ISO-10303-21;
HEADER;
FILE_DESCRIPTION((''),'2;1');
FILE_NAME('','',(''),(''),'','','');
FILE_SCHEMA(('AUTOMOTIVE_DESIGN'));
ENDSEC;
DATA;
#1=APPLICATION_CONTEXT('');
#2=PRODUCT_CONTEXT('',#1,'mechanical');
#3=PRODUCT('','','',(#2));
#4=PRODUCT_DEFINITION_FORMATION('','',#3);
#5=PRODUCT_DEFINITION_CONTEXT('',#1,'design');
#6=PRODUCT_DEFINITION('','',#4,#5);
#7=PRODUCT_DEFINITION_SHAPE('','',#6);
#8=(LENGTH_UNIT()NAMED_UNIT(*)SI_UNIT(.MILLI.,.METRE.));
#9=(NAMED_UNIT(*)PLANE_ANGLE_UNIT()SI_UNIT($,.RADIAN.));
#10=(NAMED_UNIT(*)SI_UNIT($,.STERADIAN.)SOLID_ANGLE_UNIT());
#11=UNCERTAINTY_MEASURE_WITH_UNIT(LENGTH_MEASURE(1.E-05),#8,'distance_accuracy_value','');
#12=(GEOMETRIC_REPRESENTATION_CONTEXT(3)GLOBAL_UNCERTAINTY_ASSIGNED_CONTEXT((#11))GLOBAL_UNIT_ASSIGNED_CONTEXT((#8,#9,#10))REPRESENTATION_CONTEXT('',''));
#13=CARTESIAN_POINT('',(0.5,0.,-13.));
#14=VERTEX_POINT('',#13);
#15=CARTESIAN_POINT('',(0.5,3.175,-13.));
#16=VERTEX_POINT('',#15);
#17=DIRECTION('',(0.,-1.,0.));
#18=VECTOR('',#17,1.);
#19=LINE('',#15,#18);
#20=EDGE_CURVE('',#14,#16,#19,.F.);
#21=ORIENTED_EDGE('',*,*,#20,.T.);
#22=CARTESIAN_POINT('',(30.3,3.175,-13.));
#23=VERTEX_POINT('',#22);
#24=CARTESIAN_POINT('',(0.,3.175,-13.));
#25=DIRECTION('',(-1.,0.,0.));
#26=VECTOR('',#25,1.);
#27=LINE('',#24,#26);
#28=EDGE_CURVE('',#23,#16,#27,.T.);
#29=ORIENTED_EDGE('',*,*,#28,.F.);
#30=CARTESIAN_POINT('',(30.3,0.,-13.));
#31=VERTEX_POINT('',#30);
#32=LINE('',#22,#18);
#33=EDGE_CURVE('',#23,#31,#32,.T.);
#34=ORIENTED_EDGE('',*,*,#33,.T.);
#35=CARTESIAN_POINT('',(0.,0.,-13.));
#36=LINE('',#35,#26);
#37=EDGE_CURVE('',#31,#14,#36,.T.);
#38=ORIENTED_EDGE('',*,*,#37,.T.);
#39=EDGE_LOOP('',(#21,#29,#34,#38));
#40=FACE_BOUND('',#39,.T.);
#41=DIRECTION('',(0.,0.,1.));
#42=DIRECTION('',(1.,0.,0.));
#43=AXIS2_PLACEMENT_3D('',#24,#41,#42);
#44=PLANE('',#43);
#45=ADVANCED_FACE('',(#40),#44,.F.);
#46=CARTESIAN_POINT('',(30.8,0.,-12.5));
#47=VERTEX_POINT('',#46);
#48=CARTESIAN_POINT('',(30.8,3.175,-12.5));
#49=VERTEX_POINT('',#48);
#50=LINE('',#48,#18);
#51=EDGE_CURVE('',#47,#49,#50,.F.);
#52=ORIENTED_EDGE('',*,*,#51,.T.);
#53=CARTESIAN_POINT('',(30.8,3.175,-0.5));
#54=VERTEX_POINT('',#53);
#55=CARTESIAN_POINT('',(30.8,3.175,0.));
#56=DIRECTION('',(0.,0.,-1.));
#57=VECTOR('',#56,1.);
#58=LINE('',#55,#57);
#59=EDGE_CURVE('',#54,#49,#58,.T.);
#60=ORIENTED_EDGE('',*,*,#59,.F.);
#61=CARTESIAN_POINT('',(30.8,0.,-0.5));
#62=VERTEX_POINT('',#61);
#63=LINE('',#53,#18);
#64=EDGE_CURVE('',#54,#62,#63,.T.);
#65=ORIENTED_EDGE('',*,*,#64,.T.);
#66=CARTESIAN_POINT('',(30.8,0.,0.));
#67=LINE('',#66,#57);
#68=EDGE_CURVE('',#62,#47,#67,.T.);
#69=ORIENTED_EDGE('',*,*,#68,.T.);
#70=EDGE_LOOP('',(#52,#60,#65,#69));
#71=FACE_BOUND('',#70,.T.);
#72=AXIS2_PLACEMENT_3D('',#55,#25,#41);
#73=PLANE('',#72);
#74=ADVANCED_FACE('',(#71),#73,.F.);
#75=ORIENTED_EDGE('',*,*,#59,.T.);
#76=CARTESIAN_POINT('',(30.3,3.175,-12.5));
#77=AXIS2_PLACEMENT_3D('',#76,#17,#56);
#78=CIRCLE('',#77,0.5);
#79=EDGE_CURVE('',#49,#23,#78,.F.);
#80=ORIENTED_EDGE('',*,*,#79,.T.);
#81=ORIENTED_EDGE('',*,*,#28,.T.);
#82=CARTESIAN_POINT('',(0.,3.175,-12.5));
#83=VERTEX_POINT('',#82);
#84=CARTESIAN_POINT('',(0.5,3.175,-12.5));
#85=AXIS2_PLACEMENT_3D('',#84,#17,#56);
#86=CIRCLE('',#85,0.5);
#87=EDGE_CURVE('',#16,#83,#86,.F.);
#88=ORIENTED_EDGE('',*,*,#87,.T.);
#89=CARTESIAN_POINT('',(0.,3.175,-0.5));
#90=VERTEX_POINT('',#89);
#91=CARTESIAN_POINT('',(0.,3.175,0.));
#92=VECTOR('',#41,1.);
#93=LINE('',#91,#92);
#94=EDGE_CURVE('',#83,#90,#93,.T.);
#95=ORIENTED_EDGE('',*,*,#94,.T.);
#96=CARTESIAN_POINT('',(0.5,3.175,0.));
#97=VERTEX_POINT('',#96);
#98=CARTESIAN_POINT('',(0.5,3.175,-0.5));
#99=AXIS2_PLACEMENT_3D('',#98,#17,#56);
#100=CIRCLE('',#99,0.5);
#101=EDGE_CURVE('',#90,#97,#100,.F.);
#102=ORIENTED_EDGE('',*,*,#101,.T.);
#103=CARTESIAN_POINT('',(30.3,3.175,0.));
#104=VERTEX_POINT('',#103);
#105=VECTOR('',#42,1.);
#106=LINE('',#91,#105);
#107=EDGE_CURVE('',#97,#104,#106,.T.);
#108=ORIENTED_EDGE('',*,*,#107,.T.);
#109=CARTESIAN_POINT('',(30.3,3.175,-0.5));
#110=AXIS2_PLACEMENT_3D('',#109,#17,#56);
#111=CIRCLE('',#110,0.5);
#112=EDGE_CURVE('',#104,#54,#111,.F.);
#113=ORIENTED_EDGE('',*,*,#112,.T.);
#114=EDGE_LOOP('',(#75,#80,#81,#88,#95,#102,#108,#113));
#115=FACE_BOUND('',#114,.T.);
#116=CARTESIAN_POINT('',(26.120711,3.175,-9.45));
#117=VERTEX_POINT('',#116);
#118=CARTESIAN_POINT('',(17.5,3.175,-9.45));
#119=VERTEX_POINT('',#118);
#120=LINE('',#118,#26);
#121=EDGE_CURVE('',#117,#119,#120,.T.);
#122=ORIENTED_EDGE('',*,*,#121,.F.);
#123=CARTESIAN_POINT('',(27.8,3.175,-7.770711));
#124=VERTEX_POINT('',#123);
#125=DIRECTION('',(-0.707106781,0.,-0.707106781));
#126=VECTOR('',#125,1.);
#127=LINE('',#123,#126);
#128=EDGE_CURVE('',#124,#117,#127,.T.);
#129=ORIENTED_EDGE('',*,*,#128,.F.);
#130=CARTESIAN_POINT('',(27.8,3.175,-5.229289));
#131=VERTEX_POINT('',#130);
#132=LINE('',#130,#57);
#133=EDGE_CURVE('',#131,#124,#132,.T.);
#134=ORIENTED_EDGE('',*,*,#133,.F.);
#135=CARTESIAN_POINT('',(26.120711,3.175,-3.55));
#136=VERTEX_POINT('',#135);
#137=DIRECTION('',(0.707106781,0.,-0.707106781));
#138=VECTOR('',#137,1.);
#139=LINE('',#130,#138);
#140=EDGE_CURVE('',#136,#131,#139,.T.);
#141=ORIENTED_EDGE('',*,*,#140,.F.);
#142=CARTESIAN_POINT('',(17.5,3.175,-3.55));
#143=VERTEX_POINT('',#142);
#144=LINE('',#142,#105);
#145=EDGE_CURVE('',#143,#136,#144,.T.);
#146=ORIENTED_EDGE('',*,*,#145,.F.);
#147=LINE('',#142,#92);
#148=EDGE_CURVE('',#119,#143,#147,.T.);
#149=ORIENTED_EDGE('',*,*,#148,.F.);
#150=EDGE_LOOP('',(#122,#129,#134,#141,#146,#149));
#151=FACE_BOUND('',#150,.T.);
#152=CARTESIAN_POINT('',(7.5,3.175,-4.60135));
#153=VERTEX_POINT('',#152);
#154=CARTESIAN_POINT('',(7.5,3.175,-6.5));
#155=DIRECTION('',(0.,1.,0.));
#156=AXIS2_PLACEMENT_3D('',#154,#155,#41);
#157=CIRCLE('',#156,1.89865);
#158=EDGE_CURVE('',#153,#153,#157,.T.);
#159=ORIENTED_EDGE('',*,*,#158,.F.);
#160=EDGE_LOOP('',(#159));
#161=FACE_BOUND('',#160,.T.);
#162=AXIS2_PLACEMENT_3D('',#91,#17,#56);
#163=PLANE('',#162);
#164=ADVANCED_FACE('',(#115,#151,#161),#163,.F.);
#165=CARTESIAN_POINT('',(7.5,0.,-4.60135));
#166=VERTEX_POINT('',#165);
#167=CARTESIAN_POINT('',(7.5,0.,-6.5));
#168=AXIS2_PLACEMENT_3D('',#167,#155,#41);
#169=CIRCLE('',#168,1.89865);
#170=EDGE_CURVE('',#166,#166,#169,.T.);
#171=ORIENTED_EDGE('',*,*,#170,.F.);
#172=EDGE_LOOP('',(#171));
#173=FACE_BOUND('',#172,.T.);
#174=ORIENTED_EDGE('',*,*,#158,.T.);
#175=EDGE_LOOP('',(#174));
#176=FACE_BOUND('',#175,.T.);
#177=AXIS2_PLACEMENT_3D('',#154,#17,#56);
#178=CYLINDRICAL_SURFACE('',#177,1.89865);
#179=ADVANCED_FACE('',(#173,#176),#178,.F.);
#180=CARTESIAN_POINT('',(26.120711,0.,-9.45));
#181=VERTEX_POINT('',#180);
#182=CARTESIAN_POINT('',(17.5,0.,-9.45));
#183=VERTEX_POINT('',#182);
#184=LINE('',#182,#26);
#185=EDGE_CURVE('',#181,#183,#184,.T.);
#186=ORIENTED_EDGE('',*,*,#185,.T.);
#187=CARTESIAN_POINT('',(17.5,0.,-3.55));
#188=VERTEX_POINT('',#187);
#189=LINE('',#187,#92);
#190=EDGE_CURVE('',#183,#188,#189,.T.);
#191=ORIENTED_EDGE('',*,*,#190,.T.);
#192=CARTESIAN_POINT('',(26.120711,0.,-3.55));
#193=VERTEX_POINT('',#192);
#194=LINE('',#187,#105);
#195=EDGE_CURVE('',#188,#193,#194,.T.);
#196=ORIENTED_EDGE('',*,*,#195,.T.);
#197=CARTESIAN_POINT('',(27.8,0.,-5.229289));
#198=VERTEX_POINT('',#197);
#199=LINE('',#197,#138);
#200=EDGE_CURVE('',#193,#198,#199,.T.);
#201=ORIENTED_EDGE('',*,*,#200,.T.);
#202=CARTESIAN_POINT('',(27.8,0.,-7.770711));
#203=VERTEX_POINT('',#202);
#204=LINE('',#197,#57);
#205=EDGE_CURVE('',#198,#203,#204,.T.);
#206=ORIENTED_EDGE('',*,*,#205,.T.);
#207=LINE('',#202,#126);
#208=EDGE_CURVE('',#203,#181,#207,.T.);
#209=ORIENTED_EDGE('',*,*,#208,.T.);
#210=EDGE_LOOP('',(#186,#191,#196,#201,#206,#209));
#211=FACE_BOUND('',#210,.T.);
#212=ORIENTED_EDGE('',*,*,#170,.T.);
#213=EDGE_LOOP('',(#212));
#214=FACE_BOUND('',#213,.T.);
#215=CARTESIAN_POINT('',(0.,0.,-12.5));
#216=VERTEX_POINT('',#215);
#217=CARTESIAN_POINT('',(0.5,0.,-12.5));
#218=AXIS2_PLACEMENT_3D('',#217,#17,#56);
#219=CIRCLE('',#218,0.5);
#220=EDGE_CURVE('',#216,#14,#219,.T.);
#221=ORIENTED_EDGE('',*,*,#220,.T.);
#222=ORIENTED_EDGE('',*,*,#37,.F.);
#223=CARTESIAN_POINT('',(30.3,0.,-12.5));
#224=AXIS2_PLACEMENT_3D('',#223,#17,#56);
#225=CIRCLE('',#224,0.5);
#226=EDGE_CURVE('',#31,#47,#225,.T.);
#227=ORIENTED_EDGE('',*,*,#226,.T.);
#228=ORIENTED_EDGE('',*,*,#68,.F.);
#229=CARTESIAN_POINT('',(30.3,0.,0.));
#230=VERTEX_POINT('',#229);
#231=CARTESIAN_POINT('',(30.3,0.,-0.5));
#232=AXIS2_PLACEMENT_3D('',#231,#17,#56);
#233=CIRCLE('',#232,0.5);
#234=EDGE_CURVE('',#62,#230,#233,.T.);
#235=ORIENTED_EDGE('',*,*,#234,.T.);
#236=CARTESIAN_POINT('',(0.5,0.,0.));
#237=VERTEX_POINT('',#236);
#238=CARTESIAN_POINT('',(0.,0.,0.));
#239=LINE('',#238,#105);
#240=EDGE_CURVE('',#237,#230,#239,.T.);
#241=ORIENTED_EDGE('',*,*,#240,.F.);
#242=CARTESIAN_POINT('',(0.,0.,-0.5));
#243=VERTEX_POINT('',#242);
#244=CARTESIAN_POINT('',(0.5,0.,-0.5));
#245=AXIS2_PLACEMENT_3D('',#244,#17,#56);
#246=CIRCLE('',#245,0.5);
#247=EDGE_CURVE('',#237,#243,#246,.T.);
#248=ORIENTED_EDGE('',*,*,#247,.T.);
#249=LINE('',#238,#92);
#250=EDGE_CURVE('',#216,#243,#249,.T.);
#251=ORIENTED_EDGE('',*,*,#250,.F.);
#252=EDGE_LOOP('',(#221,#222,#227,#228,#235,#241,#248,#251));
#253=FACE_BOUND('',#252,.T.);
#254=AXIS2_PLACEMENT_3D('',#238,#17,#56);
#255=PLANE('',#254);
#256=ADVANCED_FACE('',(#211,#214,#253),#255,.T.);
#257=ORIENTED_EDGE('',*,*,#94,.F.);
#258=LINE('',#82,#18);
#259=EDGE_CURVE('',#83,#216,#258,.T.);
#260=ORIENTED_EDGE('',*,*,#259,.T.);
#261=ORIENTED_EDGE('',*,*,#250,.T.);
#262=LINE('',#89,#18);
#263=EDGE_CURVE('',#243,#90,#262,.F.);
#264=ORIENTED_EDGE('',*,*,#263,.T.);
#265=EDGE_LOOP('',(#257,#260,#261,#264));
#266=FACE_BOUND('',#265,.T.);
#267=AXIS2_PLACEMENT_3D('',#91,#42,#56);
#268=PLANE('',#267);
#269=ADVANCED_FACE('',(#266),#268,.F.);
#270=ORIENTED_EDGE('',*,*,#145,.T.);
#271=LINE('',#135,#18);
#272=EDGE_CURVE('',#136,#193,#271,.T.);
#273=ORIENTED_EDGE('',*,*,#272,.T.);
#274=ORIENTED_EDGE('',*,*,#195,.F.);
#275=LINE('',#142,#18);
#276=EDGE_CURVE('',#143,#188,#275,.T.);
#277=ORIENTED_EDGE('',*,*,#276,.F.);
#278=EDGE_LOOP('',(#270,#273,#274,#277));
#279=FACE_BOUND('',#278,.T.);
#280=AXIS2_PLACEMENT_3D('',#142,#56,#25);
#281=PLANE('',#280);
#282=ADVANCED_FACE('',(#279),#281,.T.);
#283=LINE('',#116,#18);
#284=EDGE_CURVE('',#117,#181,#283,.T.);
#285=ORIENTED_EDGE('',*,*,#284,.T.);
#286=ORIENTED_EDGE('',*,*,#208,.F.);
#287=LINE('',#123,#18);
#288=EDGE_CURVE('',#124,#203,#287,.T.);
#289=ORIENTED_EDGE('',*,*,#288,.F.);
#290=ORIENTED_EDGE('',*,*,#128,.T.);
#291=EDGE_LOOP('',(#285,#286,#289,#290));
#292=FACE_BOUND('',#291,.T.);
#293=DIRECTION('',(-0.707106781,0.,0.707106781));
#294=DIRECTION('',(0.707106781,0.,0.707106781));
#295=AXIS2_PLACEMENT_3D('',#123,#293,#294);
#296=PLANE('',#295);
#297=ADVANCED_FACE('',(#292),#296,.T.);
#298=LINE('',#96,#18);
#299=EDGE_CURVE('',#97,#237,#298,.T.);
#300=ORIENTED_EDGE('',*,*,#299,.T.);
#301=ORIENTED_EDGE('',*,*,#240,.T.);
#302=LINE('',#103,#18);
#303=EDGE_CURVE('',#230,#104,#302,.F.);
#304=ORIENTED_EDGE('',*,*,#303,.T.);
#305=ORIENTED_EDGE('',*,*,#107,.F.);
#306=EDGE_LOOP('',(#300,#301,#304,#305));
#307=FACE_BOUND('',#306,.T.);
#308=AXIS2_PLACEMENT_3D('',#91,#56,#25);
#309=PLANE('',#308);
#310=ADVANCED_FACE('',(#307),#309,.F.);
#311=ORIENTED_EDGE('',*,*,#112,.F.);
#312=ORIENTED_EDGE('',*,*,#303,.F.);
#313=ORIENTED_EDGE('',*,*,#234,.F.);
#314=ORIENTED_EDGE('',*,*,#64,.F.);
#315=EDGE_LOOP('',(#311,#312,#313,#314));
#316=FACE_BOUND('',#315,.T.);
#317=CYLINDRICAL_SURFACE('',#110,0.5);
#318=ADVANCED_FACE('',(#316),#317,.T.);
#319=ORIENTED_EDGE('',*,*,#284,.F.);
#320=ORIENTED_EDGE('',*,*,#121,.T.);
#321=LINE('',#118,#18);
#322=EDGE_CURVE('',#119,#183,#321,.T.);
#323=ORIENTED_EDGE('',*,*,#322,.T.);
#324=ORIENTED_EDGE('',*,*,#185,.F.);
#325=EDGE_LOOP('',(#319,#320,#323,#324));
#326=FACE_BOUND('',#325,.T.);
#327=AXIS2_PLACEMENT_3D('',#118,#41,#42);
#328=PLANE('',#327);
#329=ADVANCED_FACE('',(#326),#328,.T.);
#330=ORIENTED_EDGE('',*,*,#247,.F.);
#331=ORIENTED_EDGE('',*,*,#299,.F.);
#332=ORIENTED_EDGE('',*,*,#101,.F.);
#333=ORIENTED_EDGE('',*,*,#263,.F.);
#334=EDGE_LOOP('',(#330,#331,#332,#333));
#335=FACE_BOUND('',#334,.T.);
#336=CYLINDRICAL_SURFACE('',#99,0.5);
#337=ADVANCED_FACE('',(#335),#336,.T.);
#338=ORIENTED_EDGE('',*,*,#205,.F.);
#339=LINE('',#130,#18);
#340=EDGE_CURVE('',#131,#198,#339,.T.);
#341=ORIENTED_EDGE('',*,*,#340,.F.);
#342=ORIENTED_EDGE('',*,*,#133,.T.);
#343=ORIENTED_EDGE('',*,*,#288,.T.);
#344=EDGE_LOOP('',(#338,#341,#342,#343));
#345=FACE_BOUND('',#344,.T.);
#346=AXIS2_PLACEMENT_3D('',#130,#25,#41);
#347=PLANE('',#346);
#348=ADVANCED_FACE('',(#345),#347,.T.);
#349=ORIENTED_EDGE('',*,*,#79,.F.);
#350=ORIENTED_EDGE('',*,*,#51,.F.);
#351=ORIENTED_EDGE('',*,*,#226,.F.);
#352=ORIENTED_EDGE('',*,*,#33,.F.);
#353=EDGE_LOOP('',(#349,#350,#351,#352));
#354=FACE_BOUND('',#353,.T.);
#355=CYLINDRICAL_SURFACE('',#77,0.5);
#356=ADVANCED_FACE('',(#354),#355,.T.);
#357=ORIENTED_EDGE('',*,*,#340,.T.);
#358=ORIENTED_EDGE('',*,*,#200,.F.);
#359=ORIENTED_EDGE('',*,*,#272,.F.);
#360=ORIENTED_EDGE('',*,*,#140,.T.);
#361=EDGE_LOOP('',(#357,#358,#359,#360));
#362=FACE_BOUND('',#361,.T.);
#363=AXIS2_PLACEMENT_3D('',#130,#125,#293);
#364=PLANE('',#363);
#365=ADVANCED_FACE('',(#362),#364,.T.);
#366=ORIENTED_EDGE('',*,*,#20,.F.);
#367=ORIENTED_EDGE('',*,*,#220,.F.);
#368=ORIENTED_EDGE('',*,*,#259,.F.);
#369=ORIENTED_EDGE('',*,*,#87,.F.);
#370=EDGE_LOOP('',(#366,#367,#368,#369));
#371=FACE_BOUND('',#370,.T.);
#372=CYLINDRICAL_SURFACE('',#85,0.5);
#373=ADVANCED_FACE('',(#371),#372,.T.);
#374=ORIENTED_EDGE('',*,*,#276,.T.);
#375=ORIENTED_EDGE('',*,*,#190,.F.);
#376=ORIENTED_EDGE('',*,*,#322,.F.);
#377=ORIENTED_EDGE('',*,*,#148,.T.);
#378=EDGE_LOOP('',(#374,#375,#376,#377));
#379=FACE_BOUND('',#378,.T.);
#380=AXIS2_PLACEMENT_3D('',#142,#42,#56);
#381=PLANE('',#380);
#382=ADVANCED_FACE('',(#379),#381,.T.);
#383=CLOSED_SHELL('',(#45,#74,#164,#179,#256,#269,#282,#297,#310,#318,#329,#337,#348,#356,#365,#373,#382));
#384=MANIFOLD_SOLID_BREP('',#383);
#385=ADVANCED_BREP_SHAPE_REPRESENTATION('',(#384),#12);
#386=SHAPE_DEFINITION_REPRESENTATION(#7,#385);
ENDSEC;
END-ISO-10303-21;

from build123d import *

# Parameters (mm, degrees)
SKETCH1_W           = 30.8
SKETCH1_H           = 13
SKETCH1_R           = 1.89865
BOSS_EXTRUDE1_DEPTH = 3.175
FILLET1_R           = 0.5


with BuildPart() as part:
    # Sketch1 → Boss-Extrude1 (new body)
    with BuildSketch(Plane(origin=(0, 0, 0), x_dir=(1, 0, 0), z_dir=(0, 1, 0))):
        with Locations((15.4, 6.5)):
            Rectangle(SKETCH1_W, SKETCH1_H)
        with Locations(Location((7.5, 6.5, 0), (0, 0, 270))):
            Circle(SKETCH1_R, mode=Mode.SUBTRACT)
        Polygon((27.8, 5.229289322), (27.8, 7.770710678), (26.120710678, 9.45), (17.5, 9.45), (17.5, 3.55), (26.120710678, 3.55), align=None, mode=Mode.SUBTRACT)
    extrude(amount=BOSS_EXTRUDE1_DEPTH)

    # Fillet1
    fillet1_edges = [part.edges().sort_by_distance(p)[0] for p in [
        (0, 1.5875, -13),
        (30.8, 1.5875, -13),
        (30.8, 1.5875, 0),
        (0, 1.5875, 0),
    ]]
    fillet(fillet1_edges, radius=FILLET1_R)


solid = part.part
